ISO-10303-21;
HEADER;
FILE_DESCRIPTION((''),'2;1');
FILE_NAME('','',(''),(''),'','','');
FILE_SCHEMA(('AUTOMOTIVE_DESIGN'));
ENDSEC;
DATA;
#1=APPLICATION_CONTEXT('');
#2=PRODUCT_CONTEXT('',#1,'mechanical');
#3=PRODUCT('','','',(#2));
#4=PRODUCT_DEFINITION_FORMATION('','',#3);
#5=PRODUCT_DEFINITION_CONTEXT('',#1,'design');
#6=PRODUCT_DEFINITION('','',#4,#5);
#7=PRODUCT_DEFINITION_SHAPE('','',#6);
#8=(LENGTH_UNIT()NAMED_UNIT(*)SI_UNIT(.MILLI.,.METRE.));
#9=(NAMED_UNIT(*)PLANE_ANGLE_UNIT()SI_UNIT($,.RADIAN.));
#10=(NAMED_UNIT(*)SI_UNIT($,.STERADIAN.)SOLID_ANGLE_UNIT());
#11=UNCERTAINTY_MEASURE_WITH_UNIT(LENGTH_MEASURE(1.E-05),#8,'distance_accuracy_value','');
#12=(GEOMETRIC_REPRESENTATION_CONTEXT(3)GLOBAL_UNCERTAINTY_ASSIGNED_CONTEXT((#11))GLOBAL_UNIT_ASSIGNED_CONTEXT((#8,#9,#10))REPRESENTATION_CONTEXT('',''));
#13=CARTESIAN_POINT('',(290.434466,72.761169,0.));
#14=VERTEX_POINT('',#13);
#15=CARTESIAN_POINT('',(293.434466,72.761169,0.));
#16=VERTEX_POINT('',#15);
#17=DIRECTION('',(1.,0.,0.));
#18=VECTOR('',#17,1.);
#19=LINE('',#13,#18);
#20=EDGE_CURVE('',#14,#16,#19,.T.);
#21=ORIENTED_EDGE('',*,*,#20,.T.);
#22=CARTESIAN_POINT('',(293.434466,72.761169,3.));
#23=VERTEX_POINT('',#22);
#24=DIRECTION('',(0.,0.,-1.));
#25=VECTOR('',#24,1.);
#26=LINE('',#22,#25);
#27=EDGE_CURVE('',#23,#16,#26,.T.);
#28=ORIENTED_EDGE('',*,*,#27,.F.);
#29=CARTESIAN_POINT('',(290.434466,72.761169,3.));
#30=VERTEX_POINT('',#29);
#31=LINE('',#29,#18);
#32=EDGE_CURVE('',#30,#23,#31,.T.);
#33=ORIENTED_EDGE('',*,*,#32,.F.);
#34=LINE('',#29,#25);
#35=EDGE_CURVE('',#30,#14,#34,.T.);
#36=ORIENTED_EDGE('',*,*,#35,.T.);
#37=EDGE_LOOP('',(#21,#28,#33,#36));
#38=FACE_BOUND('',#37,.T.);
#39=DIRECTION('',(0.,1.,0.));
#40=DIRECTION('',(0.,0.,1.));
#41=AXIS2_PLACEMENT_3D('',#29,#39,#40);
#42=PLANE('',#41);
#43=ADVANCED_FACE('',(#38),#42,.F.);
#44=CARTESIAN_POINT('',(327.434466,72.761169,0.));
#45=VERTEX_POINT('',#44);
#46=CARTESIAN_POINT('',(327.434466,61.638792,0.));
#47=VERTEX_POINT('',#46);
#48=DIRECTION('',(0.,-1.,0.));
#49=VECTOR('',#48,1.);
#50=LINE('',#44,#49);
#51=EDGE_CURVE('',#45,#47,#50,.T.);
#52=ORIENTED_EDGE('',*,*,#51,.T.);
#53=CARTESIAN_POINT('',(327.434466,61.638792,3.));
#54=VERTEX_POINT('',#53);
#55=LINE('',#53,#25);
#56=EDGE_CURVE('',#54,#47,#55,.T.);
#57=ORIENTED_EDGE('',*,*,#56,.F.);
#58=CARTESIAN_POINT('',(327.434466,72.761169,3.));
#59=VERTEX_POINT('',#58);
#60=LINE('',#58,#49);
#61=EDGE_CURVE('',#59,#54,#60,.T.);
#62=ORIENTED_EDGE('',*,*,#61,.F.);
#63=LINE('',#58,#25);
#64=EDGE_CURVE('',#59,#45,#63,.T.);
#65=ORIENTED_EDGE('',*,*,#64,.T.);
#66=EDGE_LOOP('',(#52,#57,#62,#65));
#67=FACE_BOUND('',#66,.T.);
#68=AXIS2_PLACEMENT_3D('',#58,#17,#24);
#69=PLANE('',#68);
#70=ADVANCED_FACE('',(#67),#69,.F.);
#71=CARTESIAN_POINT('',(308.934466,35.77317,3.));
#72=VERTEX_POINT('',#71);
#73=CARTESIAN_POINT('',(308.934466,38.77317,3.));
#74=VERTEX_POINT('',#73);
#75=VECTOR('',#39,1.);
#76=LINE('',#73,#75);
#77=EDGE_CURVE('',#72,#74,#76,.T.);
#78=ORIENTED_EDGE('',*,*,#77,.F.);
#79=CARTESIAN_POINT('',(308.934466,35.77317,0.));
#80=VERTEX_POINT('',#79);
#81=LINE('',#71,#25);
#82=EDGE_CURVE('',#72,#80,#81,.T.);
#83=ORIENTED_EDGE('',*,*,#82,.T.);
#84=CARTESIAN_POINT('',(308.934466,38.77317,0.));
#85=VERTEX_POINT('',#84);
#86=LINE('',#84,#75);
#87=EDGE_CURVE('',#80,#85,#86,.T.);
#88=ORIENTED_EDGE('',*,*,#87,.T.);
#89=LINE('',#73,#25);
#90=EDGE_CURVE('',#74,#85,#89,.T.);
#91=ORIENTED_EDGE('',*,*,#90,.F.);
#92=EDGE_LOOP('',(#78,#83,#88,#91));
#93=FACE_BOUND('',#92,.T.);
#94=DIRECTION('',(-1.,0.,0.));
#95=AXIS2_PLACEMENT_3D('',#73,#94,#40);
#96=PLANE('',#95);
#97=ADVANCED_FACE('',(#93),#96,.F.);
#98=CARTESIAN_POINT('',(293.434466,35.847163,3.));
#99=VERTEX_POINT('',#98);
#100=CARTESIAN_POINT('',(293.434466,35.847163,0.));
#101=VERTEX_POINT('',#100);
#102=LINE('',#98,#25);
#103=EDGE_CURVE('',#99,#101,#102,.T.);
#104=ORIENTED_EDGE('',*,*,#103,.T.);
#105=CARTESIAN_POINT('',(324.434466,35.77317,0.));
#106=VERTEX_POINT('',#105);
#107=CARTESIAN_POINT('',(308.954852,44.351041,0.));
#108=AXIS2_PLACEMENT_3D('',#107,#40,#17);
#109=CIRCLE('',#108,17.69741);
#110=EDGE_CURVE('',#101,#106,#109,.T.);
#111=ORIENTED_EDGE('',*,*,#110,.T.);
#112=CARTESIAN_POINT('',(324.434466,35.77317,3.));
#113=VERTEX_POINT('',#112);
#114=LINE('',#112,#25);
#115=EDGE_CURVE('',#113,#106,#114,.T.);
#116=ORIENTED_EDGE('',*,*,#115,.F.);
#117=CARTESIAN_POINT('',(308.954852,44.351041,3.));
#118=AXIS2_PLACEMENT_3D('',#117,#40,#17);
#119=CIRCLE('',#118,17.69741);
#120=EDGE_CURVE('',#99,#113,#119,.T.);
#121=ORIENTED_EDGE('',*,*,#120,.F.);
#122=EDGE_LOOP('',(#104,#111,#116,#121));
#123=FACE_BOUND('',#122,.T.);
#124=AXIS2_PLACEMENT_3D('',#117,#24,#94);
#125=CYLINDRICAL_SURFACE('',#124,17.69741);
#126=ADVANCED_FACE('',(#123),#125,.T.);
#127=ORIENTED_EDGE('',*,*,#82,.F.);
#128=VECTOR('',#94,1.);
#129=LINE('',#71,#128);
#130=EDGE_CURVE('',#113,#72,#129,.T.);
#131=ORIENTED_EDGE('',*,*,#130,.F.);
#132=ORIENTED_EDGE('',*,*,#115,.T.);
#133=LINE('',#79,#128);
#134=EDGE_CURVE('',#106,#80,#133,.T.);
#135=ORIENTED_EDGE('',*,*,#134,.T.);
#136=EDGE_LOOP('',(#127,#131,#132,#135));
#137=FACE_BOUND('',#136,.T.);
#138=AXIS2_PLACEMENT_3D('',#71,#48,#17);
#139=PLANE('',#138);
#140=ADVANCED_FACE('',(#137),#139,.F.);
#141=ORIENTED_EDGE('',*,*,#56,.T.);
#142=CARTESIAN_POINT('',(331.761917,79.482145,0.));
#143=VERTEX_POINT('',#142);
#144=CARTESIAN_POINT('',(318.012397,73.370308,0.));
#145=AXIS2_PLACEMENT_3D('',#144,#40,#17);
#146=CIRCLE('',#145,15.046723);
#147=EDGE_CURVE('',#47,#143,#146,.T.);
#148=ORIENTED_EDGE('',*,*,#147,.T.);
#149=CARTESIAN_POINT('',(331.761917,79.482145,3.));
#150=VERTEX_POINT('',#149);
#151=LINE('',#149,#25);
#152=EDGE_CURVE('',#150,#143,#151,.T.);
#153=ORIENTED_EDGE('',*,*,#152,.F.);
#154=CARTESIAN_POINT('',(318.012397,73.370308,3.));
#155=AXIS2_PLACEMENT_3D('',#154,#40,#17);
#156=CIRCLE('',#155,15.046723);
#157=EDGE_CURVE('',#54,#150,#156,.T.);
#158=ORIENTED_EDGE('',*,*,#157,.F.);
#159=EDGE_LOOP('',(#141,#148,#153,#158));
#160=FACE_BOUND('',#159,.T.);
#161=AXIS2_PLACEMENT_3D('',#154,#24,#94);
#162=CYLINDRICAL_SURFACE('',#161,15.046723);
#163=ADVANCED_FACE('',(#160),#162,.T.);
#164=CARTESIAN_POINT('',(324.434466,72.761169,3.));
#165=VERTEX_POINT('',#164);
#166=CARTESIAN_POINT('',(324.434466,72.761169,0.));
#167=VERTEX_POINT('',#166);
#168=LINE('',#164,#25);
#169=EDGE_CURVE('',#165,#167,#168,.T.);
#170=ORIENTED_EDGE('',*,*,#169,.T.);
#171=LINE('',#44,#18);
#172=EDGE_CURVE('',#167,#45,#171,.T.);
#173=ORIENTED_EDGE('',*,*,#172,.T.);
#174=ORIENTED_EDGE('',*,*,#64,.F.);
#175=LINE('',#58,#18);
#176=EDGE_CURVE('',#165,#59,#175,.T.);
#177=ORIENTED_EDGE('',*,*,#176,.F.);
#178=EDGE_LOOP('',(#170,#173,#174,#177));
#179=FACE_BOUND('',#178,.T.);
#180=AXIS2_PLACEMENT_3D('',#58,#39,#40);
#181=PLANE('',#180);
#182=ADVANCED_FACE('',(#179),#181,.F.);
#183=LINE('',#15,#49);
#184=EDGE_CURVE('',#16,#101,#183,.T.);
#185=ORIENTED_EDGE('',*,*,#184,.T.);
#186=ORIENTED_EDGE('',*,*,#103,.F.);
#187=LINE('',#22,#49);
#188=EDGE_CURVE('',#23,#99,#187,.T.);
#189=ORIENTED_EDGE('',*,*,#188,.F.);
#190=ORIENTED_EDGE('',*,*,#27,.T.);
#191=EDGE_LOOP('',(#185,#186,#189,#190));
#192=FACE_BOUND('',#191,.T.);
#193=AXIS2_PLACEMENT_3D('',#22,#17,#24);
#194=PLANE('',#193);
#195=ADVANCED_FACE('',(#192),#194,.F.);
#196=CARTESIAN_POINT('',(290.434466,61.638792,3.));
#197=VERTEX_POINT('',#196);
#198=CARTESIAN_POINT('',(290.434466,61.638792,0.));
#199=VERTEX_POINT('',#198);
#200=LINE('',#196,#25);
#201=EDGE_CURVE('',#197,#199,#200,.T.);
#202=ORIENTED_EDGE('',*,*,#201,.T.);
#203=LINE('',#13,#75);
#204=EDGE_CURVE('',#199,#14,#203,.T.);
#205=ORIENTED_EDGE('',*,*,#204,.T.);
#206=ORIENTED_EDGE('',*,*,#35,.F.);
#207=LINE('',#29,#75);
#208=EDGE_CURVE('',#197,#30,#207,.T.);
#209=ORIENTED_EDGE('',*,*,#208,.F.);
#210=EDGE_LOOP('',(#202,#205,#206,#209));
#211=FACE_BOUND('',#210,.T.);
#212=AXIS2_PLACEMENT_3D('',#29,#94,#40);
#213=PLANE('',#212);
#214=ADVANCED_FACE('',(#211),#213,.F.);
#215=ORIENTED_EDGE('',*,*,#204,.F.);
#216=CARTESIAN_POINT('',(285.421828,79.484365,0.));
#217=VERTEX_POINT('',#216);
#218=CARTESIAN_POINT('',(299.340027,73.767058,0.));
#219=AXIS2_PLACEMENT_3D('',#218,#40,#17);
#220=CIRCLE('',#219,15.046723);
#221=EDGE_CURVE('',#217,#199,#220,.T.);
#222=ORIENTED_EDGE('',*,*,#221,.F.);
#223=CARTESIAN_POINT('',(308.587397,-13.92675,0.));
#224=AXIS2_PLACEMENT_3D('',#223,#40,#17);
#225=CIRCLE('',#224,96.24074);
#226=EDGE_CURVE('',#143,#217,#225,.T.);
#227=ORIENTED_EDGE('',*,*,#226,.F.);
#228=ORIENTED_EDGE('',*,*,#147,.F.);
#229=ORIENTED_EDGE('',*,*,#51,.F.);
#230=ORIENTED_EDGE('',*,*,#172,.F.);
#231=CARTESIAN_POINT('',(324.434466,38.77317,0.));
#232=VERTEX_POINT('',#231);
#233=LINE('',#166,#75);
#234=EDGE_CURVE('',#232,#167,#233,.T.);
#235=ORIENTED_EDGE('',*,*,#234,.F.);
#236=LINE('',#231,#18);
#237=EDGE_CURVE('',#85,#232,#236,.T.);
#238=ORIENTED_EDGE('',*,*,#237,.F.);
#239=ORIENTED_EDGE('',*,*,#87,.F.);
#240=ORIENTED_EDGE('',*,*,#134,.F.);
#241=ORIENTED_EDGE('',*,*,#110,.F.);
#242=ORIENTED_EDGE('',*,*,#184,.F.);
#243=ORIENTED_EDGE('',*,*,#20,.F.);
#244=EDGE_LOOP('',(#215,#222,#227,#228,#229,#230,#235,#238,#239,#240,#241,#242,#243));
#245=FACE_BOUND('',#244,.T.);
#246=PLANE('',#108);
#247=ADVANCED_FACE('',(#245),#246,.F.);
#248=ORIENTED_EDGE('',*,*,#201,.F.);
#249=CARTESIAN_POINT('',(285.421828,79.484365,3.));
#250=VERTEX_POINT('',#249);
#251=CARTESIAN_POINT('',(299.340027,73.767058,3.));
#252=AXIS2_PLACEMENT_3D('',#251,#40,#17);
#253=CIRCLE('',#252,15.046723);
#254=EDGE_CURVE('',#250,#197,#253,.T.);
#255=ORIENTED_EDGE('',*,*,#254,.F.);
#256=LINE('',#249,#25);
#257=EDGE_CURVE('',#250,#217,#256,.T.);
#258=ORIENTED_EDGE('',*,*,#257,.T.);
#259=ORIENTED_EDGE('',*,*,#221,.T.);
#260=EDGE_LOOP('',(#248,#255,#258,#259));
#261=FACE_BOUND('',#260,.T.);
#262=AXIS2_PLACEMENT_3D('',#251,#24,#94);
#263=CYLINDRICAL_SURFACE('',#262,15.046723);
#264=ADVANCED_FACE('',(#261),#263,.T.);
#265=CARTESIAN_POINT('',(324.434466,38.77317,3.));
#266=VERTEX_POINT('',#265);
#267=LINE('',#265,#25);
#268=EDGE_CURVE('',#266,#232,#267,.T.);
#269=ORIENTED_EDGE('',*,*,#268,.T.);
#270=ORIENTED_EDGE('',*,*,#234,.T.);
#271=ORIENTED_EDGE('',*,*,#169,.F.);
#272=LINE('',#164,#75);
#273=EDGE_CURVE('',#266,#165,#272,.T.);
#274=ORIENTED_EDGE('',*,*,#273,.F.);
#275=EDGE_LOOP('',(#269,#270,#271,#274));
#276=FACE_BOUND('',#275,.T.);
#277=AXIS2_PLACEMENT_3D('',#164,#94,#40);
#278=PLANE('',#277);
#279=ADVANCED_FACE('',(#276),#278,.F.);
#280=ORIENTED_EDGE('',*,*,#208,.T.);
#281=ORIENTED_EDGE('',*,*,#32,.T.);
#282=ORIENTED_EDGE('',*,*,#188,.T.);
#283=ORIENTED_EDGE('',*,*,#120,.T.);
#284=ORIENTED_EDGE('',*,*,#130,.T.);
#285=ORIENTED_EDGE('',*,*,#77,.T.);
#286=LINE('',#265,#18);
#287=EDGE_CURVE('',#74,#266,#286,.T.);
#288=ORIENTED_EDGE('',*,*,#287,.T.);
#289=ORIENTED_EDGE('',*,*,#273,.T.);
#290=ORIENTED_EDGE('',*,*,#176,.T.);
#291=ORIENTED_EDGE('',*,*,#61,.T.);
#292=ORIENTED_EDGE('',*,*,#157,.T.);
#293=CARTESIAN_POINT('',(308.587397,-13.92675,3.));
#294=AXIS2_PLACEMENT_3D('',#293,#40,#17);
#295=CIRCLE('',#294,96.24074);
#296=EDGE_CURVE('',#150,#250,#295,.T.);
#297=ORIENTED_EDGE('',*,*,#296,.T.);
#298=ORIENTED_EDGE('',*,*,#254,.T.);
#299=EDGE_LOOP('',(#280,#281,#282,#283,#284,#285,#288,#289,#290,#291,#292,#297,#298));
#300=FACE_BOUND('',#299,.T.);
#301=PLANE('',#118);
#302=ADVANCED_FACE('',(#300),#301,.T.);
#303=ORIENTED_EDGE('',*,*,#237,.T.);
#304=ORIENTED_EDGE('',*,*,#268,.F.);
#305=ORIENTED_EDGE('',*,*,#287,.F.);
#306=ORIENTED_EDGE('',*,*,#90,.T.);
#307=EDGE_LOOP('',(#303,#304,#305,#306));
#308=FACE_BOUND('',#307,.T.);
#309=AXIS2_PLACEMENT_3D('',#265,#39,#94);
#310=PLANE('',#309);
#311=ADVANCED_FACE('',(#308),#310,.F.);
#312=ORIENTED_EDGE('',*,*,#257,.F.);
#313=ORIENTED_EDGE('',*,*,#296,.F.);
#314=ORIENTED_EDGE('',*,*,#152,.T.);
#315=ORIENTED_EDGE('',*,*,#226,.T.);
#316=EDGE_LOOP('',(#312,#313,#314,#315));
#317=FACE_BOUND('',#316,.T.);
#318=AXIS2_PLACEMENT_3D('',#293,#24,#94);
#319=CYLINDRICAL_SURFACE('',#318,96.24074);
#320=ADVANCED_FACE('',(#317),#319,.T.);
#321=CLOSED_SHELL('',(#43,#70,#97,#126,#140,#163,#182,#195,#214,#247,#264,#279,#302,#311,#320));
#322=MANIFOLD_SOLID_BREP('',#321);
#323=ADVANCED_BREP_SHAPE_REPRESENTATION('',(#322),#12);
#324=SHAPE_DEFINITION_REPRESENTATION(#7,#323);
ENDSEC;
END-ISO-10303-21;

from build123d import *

# Parameters (mm, degrees)
BASE_EXTRUDE_DEPTH = 3


with BuildPart() as part:
    # Sketch1 → Base-Extrude (new body)
    with BuildSketch(Plane.XY):
        with BuildLine():
            Line((327.434465654, 72.761168779), (327.434465654, 61.638791555))
            ThreePointArc((327.434465654, 61.638791555), (332.635220006, 69.823914354), (331.761917416, 79.482145231))
            ThreePointArc((331.761917416, 79.482145231), (308.592008451, 82.313990162), (285.421828233, 79.484365486))
            ThreePointArc((285.421828233, 79.484365486), (284.853925586, 69.698061489), (290.434465654, 61.638791555))
            Line((290.434465654, 61.638791555), (290.434465654, 72.761168779))
            Line((290.434465654, 72.761168779), (293.434465654, 72.761168779))
            Line((293.434465654, 72.761168779), (293.434465654, 35.847162793))
            ThreePointArc((293.434465654, 35.847162793), (308.912610373, 26.65368117), (324.434465654, 35.773170023))
            Line((324.434465654, 35.773170023), (308.934465654, 35.773170023))
            Line((308.934465654, 35.773170023), (308.934465654, 38.773170023))
            Line((308.934465654, 38.773170023), (324.434465654, 38.773170023))
            Line((324.434465654, 38.773170023), (324.434465654, 72.761168779))
            Line((324.434465654, 72.761168779), (327.434465654, 72.761168779))
        make_face()
    extrude(amount=BASE_EXTRUDE_DEPTH)


solid = part.part
